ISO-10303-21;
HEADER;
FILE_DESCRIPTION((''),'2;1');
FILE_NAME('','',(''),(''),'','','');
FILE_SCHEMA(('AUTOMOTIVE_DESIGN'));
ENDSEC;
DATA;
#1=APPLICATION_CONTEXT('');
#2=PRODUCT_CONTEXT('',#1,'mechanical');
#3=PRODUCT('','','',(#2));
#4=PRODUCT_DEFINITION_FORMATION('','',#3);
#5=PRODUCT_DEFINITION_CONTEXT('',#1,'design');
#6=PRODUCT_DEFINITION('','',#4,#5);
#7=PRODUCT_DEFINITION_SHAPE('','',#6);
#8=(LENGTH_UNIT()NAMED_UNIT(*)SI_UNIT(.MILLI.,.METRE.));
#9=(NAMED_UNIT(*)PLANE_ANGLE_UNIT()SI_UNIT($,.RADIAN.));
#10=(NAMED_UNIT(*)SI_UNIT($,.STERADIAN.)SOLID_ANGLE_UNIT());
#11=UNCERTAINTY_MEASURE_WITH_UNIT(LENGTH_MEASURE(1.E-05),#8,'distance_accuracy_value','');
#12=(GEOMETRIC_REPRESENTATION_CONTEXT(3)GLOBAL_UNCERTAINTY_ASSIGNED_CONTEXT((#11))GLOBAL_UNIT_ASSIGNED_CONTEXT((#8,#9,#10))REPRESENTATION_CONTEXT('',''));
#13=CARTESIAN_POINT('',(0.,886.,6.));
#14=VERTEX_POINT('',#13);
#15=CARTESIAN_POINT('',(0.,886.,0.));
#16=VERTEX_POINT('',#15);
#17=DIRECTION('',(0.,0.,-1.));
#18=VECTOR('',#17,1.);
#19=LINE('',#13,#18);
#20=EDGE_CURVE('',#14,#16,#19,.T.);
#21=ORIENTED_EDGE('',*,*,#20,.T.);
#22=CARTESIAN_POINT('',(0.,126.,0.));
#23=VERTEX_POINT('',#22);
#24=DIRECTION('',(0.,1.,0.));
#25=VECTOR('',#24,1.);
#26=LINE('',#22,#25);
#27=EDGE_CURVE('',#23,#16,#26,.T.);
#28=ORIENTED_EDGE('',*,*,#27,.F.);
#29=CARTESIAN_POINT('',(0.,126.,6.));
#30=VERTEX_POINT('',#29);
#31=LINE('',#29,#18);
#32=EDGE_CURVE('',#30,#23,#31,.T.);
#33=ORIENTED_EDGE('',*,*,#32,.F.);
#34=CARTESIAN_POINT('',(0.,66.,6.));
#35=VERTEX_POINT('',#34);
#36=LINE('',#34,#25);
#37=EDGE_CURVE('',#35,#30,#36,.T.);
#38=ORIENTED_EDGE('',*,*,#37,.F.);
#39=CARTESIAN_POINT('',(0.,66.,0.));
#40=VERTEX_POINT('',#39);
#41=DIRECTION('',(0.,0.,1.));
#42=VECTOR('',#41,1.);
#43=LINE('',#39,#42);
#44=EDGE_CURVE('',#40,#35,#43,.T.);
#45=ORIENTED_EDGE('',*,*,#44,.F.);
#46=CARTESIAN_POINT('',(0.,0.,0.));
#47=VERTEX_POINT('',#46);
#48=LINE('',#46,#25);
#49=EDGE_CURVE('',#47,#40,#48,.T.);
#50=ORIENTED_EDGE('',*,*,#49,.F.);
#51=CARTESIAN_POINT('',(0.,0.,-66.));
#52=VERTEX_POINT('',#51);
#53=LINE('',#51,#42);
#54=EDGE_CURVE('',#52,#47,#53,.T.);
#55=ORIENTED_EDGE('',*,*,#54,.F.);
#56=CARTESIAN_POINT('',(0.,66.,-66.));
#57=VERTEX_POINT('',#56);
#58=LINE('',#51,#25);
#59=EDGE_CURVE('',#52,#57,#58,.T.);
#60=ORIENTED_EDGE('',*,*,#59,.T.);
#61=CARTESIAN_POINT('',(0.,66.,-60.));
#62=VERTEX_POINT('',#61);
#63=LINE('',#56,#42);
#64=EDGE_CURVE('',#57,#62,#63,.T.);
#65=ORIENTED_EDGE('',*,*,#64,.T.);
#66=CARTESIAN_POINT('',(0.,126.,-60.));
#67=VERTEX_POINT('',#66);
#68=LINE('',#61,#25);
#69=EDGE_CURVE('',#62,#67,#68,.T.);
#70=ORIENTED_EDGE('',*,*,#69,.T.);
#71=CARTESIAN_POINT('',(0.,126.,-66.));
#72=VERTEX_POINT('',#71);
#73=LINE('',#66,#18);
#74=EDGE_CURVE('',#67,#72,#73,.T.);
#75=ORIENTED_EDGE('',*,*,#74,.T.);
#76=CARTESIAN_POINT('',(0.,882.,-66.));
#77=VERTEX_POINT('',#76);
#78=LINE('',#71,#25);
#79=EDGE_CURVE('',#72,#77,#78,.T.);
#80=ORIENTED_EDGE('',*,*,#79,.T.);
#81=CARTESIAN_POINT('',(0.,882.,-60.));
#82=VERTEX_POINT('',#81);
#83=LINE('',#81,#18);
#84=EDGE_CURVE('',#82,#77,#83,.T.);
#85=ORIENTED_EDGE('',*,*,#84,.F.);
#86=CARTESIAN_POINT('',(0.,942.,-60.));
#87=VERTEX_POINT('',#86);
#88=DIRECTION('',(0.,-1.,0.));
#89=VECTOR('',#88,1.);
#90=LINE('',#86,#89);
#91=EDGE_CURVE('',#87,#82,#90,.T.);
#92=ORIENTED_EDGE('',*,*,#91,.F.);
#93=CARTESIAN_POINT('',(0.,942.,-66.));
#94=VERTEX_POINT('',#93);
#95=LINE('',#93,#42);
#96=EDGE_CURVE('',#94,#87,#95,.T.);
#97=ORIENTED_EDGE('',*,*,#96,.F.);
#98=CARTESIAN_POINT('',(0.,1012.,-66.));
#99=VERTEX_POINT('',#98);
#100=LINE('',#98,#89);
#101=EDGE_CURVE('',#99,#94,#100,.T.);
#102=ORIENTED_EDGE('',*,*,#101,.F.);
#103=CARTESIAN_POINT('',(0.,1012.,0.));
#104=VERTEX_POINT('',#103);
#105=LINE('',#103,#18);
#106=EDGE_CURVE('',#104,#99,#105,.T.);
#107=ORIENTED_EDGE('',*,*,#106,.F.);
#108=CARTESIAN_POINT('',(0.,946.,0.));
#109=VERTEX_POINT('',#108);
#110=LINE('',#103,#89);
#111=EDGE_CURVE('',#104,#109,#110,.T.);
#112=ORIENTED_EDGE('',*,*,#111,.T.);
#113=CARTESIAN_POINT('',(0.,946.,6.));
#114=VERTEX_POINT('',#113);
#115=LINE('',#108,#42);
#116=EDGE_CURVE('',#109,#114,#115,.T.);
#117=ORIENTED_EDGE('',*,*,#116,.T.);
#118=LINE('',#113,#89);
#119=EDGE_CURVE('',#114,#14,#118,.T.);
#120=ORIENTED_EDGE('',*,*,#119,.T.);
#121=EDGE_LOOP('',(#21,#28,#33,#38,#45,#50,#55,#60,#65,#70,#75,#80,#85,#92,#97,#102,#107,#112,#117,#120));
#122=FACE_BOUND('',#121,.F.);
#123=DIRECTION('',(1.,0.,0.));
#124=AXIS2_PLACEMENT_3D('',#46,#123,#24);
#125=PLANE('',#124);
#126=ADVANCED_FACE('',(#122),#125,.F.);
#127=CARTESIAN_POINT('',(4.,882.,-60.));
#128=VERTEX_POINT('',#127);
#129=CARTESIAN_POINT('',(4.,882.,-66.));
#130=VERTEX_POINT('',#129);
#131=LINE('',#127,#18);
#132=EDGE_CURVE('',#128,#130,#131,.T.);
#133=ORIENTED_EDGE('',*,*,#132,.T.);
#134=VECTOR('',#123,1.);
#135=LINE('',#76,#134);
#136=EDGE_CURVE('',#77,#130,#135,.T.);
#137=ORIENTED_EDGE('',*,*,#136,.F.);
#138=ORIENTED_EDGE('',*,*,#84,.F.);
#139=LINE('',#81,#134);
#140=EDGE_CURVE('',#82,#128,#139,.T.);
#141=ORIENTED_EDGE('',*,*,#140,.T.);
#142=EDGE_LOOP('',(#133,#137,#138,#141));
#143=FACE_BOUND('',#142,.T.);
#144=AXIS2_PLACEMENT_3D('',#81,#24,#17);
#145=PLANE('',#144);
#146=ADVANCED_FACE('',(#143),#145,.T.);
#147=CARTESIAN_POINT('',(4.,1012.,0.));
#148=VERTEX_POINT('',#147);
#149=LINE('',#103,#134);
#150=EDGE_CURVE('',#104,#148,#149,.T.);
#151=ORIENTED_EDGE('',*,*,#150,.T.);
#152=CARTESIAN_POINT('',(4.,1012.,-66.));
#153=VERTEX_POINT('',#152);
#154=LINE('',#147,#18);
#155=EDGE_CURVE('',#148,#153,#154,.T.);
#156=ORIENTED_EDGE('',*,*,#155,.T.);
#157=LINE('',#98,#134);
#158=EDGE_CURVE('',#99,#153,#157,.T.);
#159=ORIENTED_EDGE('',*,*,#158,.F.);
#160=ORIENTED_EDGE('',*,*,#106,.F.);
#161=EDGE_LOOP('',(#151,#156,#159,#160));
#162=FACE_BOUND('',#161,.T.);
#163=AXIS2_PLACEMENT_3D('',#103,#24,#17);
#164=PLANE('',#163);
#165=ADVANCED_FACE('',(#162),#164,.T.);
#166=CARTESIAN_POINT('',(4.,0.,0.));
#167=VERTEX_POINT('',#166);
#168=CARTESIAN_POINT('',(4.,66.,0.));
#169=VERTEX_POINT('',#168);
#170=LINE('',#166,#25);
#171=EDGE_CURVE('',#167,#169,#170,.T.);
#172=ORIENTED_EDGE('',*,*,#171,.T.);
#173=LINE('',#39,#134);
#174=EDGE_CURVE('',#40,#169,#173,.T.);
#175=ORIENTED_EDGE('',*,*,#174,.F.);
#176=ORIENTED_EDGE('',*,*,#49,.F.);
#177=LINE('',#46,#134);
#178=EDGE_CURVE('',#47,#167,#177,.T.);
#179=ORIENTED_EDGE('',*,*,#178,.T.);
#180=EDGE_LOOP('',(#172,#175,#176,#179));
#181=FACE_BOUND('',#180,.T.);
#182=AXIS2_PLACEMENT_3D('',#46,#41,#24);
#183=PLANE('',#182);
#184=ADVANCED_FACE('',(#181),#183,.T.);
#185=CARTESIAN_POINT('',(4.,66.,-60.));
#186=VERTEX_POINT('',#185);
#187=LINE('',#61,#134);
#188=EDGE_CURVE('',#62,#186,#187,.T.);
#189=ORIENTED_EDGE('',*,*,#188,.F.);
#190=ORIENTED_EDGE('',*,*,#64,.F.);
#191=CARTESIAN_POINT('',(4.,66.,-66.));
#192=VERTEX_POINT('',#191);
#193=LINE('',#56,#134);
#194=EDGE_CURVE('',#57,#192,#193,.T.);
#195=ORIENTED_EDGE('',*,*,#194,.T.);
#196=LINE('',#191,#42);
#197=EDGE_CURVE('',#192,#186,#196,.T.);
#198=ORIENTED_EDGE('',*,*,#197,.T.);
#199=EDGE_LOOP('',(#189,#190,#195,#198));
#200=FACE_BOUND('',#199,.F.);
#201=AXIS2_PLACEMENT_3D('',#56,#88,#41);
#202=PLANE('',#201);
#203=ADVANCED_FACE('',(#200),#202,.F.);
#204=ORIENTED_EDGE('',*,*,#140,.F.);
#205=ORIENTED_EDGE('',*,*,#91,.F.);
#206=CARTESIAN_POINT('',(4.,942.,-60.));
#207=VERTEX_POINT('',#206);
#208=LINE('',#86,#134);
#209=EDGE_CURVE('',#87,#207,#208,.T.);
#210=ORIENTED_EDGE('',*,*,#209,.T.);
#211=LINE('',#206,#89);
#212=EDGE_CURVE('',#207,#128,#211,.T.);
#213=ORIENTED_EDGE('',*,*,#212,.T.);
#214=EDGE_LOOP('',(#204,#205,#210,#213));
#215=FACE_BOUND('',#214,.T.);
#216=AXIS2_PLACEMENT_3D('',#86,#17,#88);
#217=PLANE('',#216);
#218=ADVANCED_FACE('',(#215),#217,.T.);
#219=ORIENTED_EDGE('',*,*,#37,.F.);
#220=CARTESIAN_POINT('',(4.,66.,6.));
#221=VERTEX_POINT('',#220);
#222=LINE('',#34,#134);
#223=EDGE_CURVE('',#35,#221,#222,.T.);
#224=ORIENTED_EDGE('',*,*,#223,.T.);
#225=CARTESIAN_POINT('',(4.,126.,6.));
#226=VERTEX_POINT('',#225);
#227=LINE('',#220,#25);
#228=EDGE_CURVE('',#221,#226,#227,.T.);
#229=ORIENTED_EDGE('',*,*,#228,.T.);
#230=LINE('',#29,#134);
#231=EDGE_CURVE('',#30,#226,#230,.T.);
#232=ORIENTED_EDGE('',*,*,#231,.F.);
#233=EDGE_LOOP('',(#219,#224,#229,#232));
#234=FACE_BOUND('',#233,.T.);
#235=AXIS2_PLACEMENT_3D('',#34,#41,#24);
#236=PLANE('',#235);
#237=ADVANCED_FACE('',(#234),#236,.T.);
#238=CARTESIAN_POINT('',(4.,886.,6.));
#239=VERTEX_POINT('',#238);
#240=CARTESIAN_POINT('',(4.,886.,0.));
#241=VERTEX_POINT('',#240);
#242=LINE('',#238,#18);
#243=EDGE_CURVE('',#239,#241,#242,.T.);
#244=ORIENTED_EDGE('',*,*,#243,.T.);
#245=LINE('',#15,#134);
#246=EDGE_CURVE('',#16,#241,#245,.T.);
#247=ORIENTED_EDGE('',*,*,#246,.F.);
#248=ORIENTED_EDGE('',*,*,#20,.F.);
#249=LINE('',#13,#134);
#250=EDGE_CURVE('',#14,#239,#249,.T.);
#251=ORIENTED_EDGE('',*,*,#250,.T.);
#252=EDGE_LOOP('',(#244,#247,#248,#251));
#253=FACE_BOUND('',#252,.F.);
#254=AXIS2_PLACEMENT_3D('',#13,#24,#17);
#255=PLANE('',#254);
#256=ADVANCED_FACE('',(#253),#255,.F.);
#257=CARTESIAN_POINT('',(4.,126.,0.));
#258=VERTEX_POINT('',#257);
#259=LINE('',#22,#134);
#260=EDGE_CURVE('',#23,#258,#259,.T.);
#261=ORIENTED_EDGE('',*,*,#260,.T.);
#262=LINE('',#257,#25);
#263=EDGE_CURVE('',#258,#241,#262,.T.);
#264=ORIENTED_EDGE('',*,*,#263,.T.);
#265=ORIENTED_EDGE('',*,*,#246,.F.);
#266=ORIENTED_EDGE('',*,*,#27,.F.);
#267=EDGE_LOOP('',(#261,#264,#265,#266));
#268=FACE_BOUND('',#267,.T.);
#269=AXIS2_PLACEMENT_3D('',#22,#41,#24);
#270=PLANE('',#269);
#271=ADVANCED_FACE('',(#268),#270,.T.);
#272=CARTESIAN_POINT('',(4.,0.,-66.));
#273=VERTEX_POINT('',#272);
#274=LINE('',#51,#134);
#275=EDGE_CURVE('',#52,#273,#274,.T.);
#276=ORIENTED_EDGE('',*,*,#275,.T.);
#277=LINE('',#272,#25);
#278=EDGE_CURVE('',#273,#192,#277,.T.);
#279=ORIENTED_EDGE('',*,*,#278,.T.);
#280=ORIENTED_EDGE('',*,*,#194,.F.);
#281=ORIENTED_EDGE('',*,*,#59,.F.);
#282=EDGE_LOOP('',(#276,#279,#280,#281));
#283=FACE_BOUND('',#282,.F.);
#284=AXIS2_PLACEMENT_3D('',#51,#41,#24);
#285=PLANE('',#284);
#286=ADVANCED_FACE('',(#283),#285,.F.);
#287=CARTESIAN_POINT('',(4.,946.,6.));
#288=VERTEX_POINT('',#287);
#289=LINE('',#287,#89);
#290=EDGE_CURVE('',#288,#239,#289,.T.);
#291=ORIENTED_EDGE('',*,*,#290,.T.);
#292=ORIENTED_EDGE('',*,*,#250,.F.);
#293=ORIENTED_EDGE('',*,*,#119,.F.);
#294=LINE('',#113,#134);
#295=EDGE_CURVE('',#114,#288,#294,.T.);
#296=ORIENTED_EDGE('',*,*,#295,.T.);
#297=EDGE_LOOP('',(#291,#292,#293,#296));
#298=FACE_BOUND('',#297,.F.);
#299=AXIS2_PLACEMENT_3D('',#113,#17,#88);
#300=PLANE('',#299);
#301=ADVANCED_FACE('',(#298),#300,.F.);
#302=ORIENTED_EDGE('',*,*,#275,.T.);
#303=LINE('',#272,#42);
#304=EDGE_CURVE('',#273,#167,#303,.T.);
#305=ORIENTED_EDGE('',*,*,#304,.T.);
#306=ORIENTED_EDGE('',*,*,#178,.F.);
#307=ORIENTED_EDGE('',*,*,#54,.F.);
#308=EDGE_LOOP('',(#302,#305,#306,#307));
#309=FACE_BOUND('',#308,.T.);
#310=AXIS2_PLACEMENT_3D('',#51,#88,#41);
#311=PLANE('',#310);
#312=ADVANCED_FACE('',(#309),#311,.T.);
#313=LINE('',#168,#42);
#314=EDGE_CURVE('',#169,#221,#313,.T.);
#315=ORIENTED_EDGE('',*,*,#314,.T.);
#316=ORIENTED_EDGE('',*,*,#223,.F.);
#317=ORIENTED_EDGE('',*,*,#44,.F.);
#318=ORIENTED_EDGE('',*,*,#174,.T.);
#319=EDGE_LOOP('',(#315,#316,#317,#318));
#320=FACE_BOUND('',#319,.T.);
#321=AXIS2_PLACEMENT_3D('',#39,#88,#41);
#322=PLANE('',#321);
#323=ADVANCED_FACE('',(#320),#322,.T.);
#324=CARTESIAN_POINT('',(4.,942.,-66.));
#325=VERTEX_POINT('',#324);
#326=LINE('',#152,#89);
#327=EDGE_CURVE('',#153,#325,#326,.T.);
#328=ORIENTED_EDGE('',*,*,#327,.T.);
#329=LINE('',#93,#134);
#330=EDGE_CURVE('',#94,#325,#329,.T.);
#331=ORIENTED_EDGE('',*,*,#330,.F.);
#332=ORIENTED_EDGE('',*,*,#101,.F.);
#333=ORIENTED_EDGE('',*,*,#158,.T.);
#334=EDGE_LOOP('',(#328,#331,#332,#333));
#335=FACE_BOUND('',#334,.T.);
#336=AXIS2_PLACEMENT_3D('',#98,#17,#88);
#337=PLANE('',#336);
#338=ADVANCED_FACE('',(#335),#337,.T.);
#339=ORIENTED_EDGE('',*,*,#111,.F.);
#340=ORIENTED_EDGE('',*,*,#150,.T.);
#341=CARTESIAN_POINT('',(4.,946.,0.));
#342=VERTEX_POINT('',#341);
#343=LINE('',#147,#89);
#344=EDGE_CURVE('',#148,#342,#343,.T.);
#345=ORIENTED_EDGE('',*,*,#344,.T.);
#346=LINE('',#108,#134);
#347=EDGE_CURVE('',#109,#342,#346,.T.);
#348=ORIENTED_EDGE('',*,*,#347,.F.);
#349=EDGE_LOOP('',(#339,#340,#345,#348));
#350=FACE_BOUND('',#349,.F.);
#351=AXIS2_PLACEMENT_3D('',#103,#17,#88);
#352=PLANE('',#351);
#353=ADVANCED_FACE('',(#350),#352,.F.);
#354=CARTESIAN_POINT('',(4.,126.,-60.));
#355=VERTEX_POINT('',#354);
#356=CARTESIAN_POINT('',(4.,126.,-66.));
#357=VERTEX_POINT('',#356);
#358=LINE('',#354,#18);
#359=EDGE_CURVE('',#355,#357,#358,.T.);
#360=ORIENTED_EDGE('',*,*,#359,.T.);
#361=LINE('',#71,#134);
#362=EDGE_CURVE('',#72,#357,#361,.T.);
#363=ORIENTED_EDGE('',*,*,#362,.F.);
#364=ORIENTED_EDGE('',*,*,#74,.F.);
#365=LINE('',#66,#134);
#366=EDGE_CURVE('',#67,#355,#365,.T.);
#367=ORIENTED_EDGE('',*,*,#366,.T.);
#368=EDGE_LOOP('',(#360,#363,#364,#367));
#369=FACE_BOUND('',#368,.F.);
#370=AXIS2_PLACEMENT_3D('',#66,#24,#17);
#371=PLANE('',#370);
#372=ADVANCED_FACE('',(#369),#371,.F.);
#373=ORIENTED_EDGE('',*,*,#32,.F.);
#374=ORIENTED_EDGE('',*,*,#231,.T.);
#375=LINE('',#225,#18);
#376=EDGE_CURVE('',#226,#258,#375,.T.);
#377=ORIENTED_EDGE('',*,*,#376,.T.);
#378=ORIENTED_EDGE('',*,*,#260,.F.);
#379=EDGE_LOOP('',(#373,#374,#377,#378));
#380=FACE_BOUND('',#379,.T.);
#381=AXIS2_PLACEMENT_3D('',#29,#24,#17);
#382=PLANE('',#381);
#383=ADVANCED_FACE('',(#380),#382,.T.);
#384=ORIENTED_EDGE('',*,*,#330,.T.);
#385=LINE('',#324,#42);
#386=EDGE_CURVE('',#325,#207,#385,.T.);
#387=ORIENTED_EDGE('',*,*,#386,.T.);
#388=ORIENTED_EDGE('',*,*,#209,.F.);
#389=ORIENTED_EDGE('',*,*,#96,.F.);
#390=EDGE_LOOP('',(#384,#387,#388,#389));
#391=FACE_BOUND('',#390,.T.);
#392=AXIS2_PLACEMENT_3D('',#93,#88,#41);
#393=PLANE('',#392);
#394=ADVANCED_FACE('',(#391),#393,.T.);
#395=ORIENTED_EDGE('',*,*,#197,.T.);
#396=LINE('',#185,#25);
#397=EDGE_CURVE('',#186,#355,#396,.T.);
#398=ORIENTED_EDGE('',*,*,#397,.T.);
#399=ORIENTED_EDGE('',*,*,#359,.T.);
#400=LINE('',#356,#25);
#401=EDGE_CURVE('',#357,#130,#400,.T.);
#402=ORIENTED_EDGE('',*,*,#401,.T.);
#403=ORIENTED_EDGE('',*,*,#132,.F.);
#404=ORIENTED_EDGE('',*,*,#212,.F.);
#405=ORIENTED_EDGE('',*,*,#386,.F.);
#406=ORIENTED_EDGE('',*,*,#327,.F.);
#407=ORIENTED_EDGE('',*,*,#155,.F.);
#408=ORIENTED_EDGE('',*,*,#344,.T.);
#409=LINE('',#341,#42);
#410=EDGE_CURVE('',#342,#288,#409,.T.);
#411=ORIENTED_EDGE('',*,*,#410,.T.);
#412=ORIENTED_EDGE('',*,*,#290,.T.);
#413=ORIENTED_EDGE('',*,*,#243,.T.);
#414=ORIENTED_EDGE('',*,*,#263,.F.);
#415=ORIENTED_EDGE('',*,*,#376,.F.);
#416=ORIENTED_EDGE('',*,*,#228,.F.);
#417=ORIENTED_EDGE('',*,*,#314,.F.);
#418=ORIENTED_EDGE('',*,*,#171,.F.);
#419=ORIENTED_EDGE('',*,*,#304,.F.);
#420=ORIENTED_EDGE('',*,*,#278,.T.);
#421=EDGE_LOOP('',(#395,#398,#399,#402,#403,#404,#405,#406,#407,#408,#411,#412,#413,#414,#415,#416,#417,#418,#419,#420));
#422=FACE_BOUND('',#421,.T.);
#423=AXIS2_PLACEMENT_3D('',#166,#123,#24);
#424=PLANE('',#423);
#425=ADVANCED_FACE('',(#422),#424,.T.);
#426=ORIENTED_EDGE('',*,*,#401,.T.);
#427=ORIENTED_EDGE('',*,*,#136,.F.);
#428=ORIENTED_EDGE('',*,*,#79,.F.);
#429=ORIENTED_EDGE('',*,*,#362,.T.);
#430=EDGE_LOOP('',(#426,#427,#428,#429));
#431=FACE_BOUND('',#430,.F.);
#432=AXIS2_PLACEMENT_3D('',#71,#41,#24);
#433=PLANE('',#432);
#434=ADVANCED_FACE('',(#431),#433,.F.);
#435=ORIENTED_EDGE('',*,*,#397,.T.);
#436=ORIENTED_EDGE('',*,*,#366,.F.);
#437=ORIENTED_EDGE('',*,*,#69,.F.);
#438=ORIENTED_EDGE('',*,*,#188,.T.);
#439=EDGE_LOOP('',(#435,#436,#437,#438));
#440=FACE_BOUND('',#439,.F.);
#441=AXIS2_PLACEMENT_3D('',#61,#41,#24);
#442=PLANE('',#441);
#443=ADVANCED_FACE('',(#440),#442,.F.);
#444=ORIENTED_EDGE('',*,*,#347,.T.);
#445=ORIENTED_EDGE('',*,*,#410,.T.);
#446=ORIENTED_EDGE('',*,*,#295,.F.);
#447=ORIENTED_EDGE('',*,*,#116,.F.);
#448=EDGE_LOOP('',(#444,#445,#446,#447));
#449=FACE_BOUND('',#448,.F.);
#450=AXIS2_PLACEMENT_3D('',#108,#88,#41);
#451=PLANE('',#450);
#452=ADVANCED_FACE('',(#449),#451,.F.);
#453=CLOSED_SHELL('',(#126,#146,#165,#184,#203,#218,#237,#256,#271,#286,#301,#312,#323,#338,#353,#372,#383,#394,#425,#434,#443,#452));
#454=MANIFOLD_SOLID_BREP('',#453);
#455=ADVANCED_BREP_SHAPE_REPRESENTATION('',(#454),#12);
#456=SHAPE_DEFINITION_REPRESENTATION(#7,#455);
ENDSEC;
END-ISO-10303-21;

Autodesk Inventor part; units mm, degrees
ref_plane "YZ Plane" through (0, 0, 0) normal (1, 0, 0) x (0, 1, 0)
ref_plane "XZ Plane" through (0, 0, 0) normal (0, 1, 0) x (-1, 0, 0)
ref_plane "XY Plane" through (0, 0, 0) normal (0, 0, 1) x (1, 0, 0)
sketch "Esboço1" plane through (0, 0, 0) normal (1, 0, 0) x (0, 1, 0)
  line L0 (1012, 0) -> (1012, -66)
  line L1 (0, -66) -> (0, 0)
  line L2 (1012, 0) -> (946, 0)
  line L3 (946, 0) -> (946, 6)
  line L4 (946, 6) -> (886, 6)
  line L5 (886, 6) -> (886, 0)
  line L6 (0, 0) -> (66, 0)
  line L7 (66, 0) -> (66, 6)
  line L8 (66, 6) -> (126, 6)
  line L9 (126, 6) -> (126, 0)
  line L10 (126, 0) -> (886, 0)
  line L11 (1012, -66) -> (942, -66)
  line L12 (942, -66) -> (942, -60)
  line L13 (942, -60) -> (882, -60)
  line L14 (882, -60) -> (882, -66)
  line L15 (0, -66) -> (66, -66)
  line L16 (66, -66) -> (66, -60)
  line L17 (66, -60) -> (126, -60)
  line L18 (126, -60) -> (126, -66)
  line L19 (126, -66) -> (882, -66)
  dimension "d0" = 1012
  dimension "d1" = 66
  dimension "d4" = 66
  dimension "d5" = 6
  dimension "d6" = 60
  dimension "d7" = 66
  dimension "d8" = 6
  dimension "d9" = 60
  dimension "d10" = 6
  dimension "d11" = 60
  dimension "d12" = 6
  dimension "d13" = 6
  dimension "d16" = 66
  dimension "d17" = 66
extrude "Extrusão1" add sketch "Esboço1" along normal blind 4
sketch "Esboço2" plane through (4, 0, 0) normal (1, 0, 0) x (0, 0, -1)
  point P0 (0, 0)
sketch "Esboço3" plane through (4, 0, 0) normal (1, 0, 0) x (0, 0, -1)
  point P0 (0, 0)
properties part number "PAREDES LAT-CONTRA"
